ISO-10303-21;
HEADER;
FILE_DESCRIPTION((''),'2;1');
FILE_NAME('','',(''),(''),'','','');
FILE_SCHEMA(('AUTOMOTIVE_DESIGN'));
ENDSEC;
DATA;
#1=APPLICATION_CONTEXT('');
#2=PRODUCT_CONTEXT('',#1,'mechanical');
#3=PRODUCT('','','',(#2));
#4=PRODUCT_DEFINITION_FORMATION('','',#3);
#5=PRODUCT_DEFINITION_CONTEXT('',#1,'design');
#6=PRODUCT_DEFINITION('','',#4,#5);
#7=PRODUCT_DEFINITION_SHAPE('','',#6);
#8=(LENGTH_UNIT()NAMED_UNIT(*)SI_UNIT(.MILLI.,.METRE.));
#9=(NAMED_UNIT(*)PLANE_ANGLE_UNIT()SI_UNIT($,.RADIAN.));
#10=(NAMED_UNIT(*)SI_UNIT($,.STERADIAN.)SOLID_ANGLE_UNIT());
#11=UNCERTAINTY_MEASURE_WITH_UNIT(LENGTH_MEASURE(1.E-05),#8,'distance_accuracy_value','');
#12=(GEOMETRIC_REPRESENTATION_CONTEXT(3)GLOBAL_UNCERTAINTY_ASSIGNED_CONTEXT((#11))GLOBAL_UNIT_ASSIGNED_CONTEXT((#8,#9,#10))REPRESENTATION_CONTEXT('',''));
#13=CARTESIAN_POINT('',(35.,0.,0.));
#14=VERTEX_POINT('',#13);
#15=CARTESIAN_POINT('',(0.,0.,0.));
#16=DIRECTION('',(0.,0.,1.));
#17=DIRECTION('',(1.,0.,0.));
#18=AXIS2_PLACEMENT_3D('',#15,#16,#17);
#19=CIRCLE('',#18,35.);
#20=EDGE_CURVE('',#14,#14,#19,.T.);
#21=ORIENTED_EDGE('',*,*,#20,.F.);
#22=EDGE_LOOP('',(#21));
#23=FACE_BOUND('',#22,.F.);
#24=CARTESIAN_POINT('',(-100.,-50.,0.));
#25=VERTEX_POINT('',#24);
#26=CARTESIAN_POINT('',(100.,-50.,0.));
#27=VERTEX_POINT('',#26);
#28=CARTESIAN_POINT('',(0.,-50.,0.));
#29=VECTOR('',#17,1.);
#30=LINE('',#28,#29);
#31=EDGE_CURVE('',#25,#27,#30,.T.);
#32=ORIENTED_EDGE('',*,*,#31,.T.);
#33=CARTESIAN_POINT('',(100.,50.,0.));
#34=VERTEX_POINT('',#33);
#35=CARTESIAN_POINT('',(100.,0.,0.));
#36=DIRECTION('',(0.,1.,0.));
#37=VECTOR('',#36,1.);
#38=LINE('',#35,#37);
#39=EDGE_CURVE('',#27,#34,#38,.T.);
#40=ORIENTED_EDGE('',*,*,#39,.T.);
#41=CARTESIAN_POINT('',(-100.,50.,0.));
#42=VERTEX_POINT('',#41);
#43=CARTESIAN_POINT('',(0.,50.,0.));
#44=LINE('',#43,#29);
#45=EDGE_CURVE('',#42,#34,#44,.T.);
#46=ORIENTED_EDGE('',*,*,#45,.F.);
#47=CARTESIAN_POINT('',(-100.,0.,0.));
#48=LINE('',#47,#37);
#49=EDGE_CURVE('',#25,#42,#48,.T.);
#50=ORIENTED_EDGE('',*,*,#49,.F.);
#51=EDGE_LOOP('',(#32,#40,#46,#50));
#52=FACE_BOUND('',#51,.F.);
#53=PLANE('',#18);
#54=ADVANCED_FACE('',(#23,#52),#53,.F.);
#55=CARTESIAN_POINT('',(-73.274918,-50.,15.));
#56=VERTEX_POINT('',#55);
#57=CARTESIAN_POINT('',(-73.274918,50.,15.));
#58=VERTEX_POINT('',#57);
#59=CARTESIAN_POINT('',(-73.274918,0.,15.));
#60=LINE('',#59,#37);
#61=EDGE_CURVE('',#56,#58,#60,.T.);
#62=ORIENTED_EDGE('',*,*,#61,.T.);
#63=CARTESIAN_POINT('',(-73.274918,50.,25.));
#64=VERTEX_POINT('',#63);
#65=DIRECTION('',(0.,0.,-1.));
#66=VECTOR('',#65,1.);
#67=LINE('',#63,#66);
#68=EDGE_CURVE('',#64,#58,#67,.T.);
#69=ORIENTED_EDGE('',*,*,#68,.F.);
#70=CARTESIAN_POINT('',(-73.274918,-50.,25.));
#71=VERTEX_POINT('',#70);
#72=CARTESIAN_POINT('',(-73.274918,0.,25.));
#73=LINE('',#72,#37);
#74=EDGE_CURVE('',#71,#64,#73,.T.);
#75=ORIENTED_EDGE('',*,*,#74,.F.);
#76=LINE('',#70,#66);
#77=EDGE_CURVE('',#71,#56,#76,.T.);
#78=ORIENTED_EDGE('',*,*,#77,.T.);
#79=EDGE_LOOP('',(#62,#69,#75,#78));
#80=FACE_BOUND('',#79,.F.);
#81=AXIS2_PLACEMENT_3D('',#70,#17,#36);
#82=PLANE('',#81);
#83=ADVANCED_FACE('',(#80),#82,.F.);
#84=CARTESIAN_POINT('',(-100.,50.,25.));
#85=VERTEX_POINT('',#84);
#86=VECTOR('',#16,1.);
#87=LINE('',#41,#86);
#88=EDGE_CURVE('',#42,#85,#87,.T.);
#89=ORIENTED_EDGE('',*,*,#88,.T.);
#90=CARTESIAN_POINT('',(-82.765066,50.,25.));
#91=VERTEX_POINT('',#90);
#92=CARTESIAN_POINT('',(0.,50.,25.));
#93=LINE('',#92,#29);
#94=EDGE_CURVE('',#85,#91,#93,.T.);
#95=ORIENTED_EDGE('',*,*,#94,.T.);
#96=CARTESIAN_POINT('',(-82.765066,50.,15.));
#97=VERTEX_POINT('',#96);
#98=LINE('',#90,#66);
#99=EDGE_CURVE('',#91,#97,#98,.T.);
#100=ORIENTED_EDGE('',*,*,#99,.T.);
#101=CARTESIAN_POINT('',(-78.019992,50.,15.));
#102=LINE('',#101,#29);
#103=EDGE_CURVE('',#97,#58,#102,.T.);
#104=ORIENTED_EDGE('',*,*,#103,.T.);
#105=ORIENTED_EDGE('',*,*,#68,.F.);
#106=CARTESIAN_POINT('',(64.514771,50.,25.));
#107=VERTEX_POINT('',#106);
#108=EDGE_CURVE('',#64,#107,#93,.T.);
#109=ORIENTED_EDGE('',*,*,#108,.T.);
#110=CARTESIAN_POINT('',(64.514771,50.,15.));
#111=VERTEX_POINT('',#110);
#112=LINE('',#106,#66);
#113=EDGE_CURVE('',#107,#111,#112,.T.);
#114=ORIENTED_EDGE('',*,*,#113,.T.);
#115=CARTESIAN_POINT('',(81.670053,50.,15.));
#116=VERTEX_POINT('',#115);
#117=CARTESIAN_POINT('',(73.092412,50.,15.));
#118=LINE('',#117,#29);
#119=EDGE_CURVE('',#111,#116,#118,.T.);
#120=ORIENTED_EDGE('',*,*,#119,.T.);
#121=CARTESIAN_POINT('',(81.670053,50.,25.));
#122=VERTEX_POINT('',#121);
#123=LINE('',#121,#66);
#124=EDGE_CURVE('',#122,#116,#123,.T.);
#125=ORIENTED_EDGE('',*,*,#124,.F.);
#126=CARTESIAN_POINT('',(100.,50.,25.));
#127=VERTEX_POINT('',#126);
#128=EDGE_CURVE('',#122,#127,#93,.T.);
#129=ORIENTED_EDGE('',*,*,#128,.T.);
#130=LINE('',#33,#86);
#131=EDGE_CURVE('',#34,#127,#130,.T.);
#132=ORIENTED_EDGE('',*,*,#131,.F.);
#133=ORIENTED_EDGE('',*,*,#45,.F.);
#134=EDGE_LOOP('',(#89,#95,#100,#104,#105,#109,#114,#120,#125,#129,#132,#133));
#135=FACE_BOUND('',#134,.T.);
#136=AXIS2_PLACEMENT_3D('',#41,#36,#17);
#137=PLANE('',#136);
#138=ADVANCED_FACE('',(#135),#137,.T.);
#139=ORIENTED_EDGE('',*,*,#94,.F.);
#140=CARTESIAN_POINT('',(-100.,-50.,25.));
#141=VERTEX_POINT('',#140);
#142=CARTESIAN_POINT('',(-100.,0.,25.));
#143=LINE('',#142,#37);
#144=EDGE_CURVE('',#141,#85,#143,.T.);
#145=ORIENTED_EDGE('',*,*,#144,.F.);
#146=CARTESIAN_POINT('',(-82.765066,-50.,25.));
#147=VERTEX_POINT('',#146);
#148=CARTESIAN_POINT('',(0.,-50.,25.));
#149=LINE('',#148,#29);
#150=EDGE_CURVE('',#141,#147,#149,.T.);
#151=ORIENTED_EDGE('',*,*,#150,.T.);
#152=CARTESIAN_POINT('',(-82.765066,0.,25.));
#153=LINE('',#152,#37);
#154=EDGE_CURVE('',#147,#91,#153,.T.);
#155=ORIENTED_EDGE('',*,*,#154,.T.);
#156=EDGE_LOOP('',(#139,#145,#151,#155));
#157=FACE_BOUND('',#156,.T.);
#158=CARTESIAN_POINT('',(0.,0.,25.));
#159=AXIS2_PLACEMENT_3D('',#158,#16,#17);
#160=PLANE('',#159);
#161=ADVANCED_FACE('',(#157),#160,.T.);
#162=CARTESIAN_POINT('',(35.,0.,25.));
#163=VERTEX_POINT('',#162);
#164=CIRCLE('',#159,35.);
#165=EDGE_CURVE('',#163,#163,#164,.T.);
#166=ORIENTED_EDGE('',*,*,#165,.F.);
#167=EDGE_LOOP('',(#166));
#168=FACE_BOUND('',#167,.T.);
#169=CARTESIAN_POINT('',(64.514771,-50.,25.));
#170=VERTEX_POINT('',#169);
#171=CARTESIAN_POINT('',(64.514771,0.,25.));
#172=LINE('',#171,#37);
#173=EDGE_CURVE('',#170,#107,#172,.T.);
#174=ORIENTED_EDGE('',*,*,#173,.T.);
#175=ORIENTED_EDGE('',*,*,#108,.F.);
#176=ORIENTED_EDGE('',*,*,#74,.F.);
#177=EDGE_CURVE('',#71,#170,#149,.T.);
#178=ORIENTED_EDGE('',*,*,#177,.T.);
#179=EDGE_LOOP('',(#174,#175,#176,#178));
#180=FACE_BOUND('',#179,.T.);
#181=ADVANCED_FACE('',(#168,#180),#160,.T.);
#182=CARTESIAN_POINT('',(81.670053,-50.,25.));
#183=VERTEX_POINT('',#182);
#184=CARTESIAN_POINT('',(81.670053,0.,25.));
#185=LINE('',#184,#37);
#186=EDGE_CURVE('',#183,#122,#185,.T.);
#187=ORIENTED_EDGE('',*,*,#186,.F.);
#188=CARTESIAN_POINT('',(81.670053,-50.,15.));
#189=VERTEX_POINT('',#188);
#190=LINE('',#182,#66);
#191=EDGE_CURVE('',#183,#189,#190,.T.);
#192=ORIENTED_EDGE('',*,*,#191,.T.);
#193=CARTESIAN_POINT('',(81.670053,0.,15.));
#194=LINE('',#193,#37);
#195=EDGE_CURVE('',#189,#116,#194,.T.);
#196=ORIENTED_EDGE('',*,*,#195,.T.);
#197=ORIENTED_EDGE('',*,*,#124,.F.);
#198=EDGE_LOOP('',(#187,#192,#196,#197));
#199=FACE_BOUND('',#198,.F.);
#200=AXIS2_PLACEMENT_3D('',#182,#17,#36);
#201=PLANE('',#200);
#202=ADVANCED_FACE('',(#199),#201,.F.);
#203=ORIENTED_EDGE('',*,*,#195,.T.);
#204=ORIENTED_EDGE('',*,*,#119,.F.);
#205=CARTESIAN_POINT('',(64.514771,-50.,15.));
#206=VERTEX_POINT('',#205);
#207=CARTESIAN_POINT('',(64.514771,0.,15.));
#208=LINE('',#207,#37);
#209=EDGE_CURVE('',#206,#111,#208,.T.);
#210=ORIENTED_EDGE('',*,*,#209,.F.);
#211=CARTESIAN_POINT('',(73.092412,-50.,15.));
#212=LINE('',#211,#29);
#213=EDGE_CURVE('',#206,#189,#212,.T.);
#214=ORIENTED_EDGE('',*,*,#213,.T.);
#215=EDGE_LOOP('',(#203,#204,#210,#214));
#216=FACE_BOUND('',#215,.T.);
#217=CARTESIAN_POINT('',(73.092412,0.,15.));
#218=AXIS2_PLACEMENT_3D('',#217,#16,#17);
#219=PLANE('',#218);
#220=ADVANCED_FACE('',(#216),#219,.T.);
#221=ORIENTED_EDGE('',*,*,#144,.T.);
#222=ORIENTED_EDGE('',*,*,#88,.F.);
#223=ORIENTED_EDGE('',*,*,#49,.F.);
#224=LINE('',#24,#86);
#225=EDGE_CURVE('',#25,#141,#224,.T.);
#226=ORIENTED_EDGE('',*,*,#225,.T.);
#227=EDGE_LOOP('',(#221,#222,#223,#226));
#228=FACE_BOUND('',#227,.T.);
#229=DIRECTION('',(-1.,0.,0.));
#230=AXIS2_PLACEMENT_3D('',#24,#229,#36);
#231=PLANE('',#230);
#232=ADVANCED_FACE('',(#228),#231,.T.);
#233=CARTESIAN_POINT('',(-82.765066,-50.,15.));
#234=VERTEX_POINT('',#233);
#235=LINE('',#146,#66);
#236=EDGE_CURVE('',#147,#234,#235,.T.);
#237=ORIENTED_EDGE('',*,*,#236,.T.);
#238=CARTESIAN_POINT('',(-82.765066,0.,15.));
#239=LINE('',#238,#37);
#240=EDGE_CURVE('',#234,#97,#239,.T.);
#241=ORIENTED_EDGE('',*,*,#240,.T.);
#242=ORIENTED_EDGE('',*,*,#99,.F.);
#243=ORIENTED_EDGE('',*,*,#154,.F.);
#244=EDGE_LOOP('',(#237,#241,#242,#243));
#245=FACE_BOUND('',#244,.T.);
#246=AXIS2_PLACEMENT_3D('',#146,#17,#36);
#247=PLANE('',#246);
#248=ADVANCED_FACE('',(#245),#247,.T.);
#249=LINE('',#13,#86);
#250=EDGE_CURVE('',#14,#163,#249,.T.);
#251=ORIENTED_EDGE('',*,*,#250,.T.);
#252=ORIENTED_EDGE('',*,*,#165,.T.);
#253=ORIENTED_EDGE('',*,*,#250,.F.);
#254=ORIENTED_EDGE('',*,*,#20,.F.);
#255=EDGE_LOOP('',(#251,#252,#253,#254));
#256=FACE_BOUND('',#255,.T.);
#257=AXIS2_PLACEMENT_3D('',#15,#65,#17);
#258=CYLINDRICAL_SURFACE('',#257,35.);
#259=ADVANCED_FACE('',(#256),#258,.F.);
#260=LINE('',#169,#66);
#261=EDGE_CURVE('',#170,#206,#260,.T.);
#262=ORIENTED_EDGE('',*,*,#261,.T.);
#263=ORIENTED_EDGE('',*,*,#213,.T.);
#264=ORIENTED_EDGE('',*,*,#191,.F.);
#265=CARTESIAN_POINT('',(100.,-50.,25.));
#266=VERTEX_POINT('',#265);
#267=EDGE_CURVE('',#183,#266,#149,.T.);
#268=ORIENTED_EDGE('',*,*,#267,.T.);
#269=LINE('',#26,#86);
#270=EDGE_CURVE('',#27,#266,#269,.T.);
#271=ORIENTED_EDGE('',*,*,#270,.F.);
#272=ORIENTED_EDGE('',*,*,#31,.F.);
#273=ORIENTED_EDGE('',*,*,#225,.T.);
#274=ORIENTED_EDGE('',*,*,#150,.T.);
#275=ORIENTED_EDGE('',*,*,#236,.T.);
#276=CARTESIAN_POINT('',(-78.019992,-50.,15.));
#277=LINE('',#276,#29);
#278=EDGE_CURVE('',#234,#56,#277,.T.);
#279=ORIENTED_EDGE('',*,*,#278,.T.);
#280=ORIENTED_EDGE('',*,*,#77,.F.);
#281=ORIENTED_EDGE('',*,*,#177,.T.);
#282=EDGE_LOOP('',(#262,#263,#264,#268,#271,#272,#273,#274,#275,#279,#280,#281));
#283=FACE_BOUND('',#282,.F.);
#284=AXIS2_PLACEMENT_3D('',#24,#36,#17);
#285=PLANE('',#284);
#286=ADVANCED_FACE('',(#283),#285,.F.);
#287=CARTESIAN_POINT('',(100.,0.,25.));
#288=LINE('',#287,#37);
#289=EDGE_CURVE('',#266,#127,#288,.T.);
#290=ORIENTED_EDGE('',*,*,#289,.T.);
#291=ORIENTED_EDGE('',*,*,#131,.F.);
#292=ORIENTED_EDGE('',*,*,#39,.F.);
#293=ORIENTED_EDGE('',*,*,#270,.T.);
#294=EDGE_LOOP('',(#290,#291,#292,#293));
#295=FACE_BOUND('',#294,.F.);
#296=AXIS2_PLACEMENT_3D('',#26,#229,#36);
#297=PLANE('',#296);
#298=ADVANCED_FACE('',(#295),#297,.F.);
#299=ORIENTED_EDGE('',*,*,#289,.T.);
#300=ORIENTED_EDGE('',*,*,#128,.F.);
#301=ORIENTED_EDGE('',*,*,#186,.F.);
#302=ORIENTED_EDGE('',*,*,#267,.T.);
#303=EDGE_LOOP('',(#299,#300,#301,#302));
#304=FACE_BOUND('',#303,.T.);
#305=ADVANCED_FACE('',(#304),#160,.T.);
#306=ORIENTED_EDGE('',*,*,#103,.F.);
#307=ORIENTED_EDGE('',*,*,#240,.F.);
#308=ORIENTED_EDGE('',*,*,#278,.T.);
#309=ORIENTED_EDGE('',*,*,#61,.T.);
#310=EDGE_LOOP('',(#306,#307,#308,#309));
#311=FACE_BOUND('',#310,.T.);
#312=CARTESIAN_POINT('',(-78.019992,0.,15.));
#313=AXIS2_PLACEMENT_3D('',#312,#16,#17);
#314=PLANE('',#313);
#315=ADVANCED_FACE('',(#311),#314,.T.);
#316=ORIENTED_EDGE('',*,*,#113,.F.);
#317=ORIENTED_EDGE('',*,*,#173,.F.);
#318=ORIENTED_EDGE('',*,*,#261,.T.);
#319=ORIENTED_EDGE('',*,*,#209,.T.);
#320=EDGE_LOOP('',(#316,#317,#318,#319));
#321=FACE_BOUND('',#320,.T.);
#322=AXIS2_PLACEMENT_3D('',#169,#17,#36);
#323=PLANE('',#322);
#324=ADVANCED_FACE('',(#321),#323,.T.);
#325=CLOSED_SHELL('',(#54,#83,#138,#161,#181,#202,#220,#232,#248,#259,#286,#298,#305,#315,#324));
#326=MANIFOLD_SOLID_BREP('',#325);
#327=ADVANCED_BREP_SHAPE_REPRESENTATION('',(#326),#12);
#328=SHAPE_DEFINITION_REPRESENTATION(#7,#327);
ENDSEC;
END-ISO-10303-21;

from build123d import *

# Parameters (mm, degrees)
F0_W     = 200
F0_H     = 100
F0_R     = 35
F1_DEPTH = 25
F2_W     = 9.490147
F2_H     = 100
F2_W_2   = 17.155282
F3_DEPTH = 10


with BuildPart() as f1:
    # F0 (on Top) → F1 (new body)
    with BuildSketch(Plane.XY):
        Rectangle(F0_W, F0_H)
        Circle(F0_R, mode=Mode.SUBTRACT)
    extrude(amount=F1_DEPTH)

    # F2 (on face) → F3 (cut)
    with BuildSketch(Plane.XY.offset(25)):
        with Locations((-78.019992, 0)):
            Rectangle(F2_W, F2_H)
        with Locations((73.092412, 0)):
            Rectangle(F2_W_2, F2_H)
    extrude(amount=-F3_DEPTH, mode=Mode.SUBTRACT)


solid = f1.part
